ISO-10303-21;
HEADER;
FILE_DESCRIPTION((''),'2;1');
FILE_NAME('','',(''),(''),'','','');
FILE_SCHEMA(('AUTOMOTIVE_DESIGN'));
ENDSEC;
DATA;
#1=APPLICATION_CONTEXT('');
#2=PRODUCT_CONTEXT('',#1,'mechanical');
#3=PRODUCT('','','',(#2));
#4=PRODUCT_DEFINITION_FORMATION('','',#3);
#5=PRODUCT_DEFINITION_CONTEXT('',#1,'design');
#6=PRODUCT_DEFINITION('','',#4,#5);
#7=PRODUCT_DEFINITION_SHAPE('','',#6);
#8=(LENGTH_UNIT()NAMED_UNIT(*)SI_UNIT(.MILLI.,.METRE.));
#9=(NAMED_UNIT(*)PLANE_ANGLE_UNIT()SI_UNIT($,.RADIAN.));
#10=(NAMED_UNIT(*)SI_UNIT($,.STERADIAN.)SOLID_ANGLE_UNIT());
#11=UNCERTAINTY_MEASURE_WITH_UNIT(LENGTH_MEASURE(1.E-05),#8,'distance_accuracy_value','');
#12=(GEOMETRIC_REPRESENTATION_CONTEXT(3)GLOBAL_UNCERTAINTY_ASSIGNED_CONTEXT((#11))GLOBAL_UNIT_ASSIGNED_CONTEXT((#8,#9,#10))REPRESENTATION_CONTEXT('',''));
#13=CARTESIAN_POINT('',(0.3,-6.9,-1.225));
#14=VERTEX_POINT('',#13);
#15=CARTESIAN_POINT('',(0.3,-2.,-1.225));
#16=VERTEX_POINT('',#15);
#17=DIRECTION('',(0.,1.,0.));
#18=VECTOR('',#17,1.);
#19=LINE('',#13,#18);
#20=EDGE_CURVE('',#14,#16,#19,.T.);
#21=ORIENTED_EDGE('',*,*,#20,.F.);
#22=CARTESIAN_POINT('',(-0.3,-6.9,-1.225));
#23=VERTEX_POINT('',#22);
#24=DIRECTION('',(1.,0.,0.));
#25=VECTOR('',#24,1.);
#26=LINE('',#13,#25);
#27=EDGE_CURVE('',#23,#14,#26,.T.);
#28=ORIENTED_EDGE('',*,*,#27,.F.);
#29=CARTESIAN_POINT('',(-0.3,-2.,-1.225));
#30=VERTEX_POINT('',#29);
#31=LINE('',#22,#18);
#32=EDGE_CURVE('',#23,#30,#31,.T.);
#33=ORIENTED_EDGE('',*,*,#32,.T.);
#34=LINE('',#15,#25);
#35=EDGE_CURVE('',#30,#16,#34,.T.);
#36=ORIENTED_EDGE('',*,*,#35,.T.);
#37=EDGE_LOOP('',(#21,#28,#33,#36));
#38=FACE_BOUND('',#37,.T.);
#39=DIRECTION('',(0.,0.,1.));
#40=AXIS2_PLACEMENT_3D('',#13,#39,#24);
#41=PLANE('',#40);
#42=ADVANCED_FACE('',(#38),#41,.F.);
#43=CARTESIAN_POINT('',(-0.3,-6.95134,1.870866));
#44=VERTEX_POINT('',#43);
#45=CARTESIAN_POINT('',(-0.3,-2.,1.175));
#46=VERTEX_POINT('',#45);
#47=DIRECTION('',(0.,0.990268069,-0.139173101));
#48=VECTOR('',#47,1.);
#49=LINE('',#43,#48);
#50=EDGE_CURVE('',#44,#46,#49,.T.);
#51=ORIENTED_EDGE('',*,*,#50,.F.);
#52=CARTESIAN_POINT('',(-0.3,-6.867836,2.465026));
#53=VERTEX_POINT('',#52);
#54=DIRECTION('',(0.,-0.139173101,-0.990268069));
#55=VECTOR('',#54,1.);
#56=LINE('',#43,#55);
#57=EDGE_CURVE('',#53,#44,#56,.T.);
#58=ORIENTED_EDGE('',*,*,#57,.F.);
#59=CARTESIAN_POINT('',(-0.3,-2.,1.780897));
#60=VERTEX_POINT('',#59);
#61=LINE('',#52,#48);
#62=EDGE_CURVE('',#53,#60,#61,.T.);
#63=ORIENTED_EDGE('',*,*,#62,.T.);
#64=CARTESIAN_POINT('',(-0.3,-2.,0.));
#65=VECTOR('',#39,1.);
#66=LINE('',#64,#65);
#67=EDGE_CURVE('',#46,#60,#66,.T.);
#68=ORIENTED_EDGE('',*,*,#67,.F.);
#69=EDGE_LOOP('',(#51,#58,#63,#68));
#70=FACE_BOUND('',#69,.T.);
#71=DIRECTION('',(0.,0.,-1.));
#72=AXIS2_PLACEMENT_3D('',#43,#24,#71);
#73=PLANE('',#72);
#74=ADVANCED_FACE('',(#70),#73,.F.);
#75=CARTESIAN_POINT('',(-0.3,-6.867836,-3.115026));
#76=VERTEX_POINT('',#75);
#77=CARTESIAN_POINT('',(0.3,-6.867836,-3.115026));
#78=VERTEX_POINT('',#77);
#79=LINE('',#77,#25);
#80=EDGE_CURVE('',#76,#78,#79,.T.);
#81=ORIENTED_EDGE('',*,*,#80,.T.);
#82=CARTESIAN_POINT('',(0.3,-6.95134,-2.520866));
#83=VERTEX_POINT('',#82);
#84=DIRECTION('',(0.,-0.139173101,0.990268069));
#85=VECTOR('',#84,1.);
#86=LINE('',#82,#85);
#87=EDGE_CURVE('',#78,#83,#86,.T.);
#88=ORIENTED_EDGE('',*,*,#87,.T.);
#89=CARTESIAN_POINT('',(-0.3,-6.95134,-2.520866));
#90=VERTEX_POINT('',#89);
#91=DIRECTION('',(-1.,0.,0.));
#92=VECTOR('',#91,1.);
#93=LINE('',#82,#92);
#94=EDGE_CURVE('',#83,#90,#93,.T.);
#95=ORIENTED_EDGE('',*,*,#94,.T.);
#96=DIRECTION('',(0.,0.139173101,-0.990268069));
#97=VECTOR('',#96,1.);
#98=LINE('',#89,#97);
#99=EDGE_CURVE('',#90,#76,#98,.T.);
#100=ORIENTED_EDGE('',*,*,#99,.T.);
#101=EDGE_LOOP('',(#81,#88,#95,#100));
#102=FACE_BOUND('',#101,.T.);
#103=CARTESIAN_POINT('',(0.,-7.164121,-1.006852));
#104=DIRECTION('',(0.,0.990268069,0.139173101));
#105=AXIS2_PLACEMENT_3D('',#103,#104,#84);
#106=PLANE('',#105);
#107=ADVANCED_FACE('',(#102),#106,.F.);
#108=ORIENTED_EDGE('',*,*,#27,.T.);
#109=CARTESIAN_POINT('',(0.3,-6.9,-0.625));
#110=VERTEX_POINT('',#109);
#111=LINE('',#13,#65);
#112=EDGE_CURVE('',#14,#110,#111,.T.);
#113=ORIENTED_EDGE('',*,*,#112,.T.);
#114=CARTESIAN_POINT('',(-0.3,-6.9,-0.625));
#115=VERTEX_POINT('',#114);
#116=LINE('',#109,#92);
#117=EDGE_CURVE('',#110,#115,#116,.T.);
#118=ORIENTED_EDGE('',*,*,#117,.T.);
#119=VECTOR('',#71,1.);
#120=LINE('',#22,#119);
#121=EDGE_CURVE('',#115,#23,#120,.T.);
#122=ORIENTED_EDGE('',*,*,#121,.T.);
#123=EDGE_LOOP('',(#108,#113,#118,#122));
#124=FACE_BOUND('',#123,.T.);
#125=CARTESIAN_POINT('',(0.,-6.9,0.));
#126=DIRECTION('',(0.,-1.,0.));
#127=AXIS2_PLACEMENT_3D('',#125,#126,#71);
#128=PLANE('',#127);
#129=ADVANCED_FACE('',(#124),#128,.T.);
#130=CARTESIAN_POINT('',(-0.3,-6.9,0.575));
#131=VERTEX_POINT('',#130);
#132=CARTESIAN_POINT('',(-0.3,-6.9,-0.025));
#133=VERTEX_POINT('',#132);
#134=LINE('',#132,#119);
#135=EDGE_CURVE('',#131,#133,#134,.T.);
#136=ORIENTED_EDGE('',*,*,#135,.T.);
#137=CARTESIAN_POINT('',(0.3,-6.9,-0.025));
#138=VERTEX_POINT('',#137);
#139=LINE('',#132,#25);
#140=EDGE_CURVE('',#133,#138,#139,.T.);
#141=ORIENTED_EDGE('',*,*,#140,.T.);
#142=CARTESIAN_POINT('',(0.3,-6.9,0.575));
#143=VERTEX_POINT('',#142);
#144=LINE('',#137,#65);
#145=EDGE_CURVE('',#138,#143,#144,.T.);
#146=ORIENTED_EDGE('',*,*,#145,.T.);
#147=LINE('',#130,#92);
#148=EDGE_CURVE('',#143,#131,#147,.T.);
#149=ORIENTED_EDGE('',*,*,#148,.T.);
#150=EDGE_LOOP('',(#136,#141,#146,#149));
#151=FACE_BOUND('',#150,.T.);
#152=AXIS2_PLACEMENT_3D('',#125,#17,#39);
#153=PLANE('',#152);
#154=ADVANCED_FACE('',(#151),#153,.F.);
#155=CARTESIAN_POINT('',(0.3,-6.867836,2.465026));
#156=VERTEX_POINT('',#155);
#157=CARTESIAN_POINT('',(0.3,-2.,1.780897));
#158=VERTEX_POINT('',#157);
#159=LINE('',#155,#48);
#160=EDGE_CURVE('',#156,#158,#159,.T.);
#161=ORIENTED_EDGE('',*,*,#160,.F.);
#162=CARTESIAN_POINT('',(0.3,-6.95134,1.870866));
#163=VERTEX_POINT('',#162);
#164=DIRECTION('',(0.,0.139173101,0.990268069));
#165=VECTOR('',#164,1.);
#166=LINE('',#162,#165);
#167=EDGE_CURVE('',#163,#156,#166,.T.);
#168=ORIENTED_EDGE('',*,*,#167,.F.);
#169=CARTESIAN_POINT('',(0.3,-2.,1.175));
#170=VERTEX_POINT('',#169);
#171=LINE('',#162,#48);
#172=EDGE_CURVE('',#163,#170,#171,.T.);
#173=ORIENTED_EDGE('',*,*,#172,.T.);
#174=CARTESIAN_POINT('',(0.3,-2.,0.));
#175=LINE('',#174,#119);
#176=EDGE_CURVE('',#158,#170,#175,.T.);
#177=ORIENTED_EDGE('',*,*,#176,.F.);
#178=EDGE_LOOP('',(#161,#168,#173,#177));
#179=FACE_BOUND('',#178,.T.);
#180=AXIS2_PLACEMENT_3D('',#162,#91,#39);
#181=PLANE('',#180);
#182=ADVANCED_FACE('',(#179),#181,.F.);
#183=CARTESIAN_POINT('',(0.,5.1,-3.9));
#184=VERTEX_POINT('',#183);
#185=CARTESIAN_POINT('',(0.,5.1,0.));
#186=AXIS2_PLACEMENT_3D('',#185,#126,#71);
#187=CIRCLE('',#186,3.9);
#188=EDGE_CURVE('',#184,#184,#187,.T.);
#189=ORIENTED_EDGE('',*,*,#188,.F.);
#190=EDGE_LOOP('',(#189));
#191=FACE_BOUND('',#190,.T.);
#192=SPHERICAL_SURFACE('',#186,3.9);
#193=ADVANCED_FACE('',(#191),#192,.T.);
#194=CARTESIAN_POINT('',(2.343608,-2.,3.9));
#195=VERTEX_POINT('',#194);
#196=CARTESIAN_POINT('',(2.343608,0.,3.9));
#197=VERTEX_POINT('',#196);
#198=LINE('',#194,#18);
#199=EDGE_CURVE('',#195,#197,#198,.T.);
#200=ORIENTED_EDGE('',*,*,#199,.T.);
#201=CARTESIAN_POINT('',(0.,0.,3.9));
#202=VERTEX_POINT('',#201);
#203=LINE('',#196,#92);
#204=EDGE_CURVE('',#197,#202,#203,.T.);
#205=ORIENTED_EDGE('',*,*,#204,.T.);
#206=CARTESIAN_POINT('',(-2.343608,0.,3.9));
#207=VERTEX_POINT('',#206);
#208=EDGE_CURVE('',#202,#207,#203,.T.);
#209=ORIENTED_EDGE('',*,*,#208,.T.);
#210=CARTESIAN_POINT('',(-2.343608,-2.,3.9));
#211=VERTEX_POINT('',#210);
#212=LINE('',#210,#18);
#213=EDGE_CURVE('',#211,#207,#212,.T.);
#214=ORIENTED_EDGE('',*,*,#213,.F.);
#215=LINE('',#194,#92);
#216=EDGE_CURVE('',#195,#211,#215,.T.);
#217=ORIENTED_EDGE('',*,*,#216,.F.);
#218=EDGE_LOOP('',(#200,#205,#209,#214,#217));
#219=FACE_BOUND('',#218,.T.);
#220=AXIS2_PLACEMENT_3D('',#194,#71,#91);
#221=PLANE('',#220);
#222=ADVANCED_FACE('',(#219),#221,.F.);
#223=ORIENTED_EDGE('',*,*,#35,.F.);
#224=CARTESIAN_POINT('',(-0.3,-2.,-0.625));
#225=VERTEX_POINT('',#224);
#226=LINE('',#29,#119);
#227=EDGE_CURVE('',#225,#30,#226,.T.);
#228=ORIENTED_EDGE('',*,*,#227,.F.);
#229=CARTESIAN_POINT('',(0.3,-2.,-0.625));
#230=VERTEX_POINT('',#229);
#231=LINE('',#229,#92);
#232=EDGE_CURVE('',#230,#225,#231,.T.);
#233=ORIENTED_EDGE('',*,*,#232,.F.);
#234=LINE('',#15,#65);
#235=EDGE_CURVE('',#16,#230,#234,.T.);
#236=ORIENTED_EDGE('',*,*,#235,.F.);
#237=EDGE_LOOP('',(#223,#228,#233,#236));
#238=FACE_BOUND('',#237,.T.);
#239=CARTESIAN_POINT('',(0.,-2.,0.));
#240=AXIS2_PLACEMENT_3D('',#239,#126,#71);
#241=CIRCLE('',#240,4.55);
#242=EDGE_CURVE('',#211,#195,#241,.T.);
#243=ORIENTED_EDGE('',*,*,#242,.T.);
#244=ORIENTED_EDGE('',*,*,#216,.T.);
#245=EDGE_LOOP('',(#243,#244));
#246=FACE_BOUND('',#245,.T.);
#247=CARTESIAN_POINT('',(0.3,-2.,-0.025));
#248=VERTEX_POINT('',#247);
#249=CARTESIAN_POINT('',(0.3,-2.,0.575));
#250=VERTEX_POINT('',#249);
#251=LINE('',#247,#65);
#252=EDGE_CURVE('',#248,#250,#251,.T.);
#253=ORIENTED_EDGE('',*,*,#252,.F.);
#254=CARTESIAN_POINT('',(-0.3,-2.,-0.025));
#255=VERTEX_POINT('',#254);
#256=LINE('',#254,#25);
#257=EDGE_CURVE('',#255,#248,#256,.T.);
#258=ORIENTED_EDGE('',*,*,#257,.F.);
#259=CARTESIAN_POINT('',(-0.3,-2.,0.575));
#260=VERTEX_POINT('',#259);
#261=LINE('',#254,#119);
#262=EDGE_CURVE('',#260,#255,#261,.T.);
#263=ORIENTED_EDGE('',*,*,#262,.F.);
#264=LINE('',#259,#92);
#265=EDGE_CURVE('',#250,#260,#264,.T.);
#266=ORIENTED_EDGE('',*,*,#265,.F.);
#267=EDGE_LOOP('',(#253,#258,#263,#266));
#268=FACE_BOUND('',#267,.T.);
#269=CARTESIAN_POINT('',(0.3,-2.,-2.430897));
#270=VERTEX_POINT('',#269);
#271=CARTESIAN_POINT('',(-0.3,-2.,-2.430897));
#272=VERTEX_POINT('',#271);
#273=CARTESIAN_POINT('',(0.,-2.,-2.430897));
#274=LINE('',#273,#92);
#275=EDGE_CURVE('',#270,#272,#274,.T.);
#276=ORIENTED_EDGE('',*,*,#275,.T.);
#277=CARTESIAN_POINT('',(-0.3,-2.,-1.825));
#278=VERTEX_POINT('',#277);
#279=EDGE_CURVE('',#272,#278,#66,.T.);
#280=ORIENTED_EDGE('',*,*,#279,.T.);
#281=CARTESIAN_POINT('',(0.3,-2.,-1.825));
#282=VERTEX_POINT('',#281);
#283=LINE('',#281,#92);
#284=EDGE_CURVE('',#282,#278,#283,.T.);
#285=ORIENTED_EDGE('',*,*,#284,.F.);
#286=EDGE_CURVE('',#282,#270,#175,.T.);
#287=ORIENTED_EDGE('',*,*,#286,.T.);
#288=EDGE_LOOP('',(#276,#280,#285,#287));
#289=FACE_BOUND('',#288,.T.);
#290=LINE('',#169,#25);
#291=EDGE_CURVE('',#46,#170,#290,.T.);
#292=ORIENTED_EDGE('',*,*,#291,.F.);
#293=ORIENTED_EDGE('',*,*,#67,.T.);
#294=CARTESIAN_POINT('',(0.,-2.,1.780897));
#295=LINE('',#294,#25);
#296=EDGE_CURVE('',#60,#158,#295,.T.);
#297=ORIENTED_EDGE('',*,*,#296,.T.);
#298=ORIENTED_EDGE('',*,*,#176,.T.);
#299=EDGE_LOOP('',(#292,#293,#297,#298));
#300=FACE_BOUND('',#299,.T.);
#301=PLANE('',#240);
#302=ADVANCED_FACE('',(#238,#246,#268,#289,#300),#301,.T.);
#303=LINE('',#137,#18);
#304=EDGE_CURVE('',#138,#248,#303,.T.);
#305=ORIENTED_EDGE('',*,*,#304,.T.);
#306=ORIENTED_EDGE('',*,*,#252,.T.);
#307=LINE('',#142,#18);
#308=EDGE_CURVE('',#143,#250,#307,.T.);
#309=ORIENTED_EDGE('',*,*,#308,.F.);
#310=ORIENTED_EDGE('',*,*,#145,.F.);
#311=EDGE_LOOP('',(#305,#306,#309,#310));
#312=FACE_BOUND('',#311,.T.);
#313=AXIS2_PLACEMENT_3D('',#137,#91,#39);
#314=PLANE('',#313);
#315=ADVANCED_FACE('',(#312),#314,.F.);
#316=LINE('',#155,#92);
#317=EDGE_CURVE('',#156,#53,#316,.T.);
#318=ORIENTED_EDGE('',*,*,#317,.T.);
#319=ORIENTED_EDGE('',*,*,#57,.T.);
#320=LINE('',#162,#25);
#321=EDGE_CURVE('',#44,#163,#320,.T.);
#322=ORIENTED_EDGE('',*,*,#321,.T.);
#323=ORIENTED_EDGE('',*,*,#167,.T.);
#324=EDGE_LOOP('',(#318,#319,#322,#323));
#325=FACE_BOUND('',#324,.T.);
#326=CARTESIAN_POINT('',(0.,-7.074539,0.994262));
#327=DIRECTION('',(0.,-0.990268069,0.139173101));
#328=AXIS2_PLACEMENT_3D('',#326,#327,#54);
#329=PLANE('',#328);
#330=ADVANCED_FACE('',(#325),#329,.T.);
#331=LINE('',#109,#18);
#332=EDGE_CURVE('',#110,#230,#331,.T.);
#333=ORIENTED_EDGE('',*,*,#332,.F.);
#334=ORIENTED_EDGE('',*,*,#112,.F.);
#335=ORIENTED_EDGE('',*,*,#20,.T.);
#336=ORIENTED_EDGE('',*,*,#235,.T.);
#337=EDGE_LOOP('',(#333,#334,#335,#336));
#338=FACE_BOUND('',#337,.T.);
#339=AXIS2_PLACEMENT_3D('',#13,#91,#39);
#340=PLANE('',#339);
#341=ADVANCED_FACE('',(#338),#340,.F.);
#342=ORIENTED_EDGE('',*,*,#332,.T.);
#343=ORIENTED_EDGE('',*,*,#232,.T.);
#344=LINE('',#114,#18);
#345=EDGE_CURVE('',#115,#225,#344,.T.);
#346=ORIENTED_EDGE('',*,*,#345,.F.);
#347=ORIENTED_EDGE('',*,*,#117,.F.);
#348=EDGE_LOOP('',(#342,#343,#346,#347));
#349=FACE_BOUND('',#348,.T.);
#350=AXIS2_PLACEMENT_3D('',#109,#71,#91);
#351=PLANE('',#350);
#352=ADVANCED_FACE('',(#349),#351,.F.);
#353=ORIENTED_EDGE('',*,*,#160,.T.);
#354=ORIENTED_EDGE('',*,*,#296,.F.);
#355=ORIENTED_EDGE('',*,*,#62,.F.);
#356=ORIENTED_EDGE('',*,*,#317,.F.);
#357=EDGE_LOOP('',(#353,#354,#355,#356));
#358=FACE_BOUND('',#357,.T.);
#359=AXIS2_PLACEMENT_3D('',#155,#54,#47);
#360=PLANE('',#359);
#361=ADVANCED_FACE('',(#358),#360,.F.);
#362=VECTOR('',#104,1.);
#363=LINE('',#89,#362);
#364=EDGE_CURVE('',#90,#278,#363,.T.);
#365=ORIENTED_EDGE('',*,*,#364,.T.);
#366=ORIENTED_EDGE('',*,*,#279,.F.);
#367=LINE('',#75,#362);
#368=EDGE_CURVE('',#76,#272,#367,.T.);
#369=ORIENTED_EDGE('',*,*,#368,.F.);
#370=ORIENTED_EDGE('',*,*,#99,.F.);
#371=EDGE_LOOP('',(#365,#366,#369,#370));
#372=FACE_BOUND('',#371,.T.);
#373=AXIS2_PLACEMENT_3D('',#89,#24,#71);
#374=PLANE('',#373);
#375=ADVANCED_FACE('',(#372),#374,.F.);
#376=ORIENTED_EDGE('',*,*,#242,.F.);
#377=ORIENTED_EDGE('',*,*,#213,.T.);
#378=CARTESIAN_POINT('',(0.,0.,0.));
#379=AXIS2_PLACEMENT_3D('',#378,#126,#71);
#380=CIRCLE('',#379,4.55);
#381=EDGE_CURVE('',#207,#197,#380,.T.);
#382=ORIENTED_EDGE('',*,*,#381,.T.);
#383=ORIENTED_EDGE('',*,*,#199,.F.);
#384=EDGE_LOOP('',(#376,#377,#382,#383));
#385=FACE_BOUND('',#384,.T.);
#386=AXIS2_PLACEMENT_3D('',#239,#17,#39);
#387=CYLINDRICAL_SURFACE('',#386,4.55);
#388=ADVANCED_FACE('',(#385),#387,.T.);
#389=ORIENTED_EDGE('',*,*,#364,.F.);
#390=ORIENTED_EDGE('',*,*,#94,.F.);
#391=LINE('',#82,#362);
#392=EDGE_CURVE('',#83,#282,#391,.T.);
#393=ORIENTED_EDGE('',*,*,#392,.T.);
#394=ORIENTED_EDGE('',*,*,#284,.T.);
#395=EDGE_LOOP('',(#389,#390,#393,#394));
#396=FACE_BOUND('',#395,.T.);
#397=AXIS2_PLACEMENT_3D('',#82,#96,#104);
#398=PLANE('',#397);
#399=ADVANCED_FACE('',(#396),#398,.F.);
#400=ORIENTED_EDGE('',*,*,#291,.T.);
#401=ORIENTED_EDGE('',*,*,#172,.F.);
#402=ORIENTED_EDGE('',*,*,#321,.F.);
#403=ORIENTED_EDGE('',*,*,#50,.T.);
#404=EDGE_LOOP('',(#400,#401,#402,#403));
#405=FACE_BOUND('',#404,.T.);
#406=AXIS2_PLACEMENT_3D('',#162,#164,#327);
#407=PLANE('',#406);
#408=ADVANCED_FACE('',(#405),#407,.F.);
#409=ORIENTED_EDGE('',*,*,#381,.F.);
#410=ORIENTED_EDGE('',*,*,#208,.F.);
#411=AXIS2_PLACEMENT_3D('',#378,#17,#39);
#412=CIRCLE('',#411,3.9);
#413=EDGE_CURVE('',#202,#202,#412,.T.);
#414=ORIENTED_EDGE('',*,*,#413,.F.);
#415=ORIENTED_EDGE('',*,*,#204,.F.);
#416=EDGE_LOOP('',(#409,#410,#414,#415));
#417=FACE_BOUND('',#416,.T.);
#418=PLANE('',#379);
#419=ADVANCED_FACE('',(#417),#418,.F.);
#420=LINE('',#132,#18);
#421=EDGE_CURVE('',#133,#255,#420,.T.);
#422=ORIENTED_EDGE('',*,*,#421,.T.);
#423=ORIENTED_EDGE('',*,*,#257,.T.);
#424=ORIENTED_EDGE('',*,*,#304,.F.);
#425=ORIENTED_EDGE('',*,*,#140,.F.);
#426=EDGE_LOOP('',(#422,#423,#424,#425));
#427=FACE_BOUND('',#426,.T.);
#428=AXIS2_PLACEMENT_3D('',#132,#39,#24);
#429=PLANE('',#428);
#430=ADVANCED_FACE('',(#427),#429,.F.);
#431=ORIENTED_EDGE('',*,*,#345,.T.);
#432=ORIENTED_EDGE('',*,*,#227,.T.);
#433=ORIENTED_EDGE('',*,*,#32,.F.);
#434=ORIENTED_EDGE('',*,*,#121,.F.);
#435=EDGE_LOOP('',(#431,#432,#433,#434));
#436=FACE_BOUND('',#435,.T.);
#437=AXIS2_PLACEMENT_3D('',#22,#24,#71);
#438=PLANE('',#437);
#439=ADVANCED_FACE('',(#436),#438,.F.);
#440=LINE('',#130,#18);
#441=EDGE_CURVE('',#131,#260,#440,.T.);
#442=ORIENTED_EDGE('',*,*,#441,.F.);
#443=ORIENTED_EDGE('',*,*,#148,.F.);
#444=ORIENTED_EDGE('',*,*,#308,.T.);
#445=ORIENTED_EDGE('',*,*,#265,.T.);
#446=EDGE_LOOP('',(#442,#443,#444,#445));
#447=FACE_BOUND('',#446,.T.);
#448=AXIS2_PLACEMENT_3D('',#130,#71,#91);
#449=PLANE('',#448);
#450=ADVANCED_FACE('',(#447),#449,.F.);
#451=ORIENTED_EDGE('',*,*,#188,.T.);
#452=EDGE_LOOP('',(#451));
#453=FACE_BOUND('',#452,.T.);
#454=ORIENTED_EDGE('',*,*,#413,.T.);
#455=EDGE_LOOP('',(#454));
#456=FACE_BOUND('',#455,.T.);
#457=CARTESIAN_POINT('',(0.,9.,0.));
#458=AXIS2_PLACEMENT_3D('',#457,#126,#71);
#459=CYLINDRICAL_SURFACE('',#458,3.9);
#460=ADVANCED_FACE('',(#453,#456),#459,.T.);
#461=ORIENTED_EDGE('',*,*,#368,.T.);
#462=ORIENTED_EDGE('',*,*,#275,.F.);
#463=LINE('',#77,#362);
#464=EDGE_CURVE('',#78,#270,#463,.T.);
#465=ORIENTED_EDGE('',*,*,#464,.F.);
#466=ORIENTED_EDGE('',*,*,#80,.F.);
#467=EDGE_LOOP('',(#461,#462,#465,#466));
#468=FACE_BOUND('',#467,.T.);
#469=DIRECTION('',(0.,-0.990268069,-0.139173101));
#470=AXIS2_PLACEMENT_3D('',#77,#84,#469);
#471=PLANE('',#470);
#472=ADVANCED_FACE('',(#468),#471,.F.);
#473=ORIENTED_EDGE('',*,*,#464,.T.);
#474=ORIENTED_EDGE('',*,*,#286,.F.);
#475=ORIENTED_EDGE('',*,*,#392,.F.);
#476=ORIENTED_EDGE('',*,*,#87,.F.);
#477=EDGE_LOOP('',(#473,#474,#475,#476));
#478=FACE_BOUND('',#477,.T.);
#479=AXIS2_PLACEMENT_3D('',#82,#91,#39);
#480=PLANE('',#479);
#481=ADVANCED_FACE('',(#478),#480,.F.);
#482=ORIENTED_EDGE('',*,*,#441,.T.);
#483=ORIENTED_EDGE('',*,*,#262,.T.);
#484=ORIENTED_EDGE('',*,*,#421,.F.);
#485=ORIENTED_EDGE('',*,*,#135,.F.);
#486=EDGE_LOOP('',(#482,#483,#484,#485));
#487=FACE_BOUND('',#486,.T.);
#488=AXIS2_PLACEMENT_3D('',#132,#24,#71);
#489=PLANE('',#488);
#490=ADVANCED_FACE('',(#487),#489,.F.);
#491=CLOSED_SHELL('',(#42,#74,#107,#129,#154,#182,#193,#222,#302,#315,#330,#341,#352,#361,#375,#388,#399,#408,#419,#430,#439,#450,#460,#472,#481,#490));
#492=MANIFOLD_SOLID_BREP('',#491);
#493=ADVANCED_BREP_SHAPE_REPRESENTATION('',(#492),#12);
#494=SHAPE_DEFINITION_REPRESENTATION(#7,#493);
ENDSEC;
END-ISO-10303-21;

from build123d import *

# Parameters (mm, degrees)
ESQUISSE1_R        = 3.9
BOSS_EXTRU_1_DEPTH = 9
CONG_1_R           = 3.9
BOSS_EXTRU_2_DEPTH = 2
ESQUISSE3_W        = 0.6
ESQUISSE3_H        = 0.6
BOSS_EXTRU_3_DEPTH = 4.9
ESQUISSE6_W        = 0.6
ESQUISSE6_H        = 0.6
BOSS_EXTRU_4_DEPTH = 5
ESQUISSE8_W        = 0.6
ESQUISSE8_H        = 0.6
BOSS_EXTRU_5_DEPTH = 5


with BuildPart() as part:
    # Esquisse1 → Boss.-Extru.1 (new body)
    with BuildSketch(Plane(origin=(0, 0, 0), x_dir=(1, 0, 0), z_dir=(0, 1, 0))):
        Circle(ESQUISSE1_R)
    extrude(amount=BOSS_EXTRU_1_DEPTH)

    # Congé1
    cong_1_edges = [part.edges().sort_by_distance(p)[0] for p in [
        (-3.9, 9, 0),
    ]]
    fillet(cong_1_edges, radius=CONG_1_R)

    # Esquisse2 → Boss.-Extru.2 (add)
    with BuildSketch(Plane.XZ):
        with BuildLine():
            Line((2.343608329, 3.9), (-2.343608329, 3.9))
            ThreePointArc((-2.343608329, 3.9), (0, -4.55), (2.343608329, 3.9))
        make_face()
    extrude(amount=BOSS_EXTRU_2_DEPTH)

    # Esquisse3 → Boss.-Extru.3 (add)
    with BuildSketch(Plane.XZ.offset(2)):
        with Locations((0, 0.275)):
            Rectangle(ESQUISSE3_W, ESQUISSE3_H)
        with Locations((0, -0.925)):
            Rectangle(ESQUISSE3_W, ESQUISSE3_H)
    extrude(amount=BOSS_EXTRU_3_DEPTH)

    # Esquisse6 → Boss.-Extru.4 (add)
    with BuildSketch(Plane(origin=(0, -2.123198642, 0.298396109), x_dir=(-1, 0, 0), z_dir=(0, -0.990268069, 0.139173101))):
        with Locations((0, -1.185218779)):
            Rectangle(ESQUISSE6_W, ESQUISSE6_H)
    extrude(amount=BOSS_EXTRU_4_DEPTH)

    # Esquisse8 → Boss.-Extru.5 (add)
    with BuildSketch(Plane(origin=(0, -2.212780783, -0.310986058), x_dir=(-1, 0, 0), z_dir=(0, -0.990268069, -0.139173101))):
        with Locations((0, 1.828893024)):
            Rectangle(ESQUISSE8_W, ESQUISSE8_H)
    extrude(amount=BOSS_EXTRU_5_DEPTH)


solid = part.part
